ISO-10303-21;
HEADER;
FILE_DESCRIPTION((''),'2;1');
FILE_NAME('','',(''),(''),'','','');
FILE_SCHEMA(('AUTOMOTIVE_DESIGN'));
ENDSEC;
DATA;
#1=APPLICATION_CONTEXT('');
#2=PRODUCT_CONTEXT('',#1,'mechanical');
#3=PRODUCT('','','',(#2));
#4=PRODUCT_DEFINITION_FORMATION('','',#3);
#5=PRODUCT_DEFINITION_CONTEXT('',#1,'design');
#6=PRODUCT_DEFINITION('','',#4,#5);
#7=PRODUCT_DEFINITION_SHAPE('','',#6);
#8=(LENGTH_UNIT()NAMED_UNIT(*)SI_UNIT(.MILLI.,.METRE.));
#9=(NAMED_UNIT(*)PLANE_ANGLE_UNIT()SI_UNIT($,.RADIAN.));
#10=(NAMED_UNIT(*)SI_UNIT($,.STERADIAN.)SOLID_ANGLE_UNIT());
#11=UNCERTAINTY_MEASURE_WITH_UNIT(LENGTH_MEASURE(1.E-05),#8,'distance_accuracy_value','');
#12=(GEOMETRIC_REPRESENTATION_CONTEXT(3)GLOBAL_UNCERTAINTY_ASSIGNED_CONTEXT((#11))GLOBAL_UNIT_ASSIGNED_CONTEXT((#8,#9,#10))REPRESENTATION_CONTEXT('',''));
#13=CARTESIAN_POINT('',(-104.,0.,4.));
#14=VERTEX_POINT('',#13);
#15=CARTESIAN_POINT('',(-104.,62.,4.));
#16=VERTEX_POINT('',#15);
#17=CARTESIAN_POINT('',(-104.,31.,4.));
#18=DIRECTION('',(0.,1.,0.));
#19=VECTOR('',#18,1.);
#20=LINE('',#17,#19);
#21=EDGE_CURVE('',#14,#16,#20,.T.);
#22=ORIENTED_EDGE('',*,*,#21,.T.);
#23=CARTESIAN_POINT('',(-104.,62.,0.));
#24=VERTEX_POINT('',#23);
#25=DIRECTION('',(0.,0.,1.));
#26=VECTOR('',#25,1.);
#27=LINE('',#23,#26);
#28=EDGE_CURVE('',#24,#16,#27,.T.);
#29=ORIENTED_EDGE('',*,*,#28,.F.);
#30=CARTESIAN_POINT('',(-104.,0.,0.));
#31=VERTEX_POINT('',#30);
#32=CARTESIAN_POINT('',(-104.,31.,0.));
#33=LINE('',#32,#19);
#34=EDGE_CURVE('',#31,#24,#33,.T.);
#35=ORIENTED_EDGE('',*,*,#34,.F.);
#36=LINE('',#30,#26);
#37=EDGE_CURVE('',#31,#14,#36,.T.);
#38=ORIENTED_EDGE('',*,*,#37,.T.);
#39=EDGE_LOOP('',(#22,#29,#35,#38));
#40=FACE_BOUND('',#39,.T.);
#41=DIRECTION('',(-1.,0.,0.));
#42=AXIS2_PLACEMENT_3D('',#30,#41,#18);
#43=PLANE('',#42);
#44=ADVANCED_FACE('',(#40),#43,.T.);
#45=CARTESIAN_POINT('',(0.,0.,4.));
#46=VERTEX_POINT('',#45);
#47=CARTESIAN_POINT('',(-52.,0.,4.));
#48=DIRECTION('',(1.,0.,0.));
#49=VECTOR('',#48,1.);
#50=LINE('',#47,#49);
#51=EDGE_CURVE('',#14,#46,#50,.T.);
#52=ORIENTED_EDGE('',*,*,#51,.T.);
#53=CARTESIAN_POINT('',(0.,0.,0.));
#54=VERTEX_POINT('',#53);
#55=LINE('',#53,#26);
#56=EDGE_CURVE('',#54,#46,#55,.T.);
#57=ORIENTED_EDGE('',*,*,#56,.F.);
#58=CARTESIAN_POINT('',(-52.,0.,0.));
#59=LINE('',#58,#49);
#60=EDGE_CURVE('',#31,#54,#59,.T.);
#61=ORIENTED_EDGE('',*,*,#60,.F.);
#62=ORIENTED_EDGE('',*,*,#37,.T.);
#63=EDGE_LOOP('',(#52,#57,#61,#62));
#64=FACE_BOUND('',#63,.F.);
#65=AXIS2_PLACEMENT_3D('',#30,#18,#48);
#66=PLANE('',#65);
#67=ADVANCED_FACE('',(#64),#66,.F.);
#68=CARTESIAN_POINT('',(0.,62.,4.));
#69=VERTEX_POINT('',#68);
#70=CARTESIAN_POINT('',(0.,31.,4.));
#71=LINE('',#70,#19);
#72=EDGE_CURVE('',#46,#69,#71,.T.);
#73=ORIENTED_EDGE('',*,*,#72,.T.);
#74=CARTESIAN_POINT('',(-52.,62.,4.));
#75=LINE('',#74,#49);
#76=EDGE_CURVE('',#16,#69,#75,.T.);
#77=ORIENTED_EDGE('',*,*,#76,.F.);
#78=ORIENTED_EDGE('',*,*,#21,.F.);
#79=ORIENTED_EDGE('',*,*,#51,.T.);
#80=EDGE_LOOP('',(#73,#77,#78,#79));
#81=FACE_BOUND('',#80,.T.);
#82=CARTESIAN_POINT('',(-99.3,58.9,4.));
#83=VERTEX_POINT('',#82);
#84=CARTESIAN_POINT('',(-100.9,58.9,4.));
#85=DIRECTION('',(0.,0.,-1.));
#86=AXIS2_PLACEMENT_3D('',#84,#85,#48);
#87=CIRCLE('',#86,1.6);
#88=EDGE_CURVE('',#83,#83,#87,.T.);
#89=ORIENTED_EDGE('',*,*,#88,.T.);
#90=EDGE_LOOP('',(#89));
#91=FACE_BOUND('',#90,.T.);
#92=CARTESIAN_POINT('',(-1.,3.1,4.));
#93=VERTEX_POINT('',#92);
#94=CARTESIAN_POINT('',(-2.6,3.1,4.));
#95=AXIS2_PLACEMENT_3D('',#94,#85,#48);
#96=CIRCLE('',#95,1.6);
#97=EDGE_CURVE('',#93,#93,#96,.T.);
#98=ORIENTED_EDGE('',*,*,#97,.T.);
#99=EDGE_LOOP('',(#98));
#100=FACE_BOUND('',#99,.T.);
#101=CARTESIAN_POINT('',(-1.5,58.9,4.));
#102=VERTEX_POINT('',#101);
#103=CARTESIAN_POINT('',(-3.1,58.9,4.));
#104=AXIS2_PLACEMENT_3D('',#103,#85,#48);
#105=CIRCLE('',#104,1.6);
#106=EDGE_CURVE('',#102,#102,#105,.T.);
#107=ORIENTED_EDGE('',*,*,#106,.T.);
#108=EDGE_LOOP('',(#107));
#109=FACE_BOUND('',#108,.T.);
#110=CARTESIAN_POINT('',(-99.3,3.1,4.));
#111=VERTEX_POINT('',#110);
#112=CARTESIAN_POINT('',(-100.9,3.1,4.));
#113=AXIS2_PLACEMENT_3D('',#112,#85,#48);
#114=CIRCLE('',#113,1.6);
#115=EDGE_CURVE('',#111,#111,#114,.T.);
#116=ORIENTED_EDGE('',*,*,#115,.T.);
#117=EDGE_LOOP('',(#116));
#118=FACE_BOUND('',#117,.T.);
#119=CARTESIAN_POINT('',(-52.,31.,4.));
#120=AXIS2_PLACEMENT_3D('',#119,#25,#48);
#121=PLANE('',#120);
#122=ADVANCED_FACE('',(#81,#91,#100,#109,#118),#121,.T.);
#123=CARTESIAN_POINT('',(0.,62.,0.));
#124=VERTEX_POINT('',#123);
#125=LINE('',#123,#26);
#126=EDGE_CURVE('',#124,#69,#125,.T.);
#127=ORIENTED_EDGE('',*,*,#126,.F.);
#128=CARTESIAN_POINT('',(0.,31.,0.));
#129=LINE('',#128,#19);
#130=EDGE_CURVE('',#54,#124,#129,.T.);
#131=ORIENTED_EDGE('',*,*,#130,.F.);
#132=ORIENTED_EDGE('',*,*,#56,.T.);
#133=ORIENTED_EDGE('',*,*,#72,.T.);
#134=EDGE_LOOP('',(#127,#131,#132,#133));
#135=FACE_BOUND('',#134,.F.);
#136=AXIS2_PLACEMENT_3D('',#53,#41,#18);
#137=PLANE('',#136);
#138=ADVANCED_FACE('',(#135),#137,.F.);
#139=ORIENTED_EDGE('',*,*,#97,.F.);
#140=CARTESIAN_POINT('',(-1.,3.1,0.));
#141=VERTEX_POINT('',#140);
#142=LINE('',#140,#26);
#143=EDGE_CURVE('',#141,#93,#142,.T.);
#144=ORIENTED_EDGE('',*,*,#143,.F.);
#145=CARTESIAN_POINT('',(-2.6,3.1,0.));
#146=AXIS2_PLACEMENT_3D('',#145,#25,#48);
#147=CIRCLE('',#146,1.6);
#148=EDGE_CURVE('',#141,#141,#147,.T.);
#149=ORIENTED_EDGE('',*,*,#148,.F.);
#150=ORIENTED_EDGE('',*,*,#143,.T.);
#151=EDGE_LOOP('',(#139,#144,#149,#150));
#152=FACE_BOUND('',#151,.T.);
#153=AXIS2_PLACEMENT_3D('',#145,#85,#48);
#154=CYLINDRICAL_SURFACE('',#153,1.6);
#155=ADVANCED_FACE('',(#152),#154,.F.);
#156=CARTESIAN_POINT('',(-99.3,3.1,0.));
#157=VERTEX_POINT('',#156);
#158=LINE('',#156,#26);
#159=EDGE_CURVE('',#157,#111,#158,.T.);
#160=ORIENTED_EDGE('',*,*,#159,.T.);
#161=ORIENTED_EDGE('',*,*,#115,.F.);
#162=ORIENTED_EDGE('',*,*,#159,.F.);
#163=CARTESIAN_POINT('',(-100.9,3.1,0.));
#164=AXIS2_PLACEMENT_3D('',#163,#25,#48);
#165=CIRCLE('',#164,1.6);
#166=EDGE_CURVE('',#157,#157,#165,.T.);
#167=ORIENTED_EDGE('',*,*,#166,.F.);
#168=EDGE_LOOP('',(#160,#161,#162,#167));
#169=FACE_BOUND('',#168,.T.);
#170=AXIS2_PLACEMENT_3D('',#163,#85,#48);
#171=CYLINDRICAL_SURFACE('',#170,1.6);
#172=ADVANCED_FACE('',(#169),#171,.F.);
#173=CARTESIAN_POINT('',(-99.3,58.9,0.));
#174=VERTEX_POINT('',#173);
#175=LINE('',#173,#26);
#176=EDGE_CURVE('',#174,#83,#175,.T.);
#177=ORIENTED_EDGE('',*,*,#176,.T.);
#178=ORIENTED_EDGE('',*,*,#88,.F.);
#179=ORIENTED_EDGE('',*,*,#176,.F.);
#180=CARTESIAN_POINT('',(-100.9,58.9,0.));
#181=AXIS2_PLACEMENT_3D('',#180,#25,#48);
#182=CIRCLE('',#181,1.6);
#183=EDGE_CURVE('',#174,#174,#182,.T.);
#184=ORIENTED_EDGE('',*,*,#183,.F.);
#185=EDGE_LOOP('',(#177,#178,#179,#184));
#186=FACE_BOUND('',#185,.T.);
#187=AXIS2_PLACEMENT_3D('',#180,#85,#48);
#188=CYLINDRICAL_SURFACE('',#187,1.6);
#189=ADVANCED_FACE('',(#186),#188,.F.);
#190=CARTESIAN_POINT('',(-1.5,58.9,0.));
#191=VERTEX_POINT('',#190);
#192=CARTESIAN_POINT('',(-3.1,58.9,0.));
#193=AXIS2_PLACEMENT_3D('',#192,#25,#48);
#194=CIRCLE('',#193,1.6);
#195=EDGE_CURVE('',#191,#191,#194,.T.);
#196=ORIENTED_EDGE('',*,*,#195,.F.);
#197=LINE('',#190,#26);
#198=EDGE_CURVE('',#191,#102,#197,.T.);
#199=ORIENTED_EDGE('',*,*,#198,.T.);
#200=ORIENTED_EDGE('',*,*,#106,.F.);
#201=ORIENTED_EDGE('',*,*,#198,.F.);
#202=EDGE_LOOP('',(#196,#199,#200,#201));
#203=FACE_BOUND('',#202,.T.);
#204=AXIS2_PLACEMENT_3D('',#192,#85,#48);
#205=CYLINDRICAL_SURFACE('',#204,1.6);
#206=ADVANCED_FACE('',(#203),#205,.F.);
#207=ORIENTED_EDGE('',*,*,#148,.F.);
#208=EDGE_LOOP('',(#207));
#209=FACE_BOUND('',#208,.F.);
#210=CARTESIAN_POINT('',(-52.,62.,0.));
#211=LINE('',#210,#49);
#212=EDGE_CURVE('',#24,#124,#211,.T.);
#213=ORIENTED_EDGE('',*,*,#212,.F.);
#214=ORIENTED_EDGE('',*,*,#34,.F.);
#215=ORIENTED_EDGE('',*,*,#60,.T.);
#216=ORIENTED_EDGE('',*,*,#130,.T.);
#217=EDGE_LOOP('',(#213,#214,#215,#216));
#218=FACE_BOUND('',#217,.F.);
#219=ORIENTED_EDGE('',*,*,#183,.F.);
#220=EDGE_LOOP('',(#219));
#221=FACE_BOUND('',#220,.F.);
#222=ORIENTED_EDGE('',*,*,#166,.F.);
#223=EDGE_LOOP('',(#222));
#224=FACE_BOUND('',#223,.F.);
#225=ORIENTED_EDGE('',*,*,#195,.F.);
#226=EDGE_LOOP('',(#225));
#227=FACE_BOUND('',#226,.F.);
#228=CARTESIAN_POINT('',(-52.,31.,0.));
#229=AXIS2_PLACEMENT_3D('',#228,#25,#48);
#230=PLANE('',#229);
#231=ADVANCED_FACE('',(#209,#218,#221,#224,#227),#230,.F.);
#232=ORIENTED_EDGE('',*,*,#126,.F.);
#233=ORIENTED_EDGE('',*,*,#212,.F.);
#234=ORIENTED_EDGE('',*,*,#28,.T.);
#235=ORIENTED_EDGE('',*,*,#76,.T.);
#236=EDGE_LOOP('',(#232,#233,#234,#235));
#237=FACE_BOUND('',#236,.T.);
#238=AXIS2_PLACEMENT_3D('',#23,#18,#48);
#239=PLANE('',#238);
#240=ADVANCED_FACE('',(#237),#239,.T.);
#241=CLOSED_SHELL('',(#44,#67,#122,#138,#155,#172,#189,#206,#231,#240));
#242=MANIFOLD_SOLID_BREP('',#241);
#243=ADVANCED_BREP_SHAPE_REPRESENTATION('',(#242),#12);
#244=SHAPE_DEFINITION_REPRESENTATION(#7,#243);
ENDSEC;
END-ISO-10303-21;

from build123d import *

# Parameters (mm, degrees)
CYLINDER007_R     = 1.6
CYLINDER007_DEPTH = 10
CYLINDER006_R     = 1.6
CYLINDER006_DEPTH = 10
CYLINDER005_R     = 1.6
CYLINDER005_DEPTH = 10
CYLINDER004_R     = 1.6
CYLINDER004_DEPTH = 10
BOX001_W          = 104
BOX001_H          = 62
BOX001_DEPTH      = 4


with BuildPart() as mount_point003:
    # Cylinder007 → Cylinder007 (new body)
    with BuildSketch(Plane(origin=(-3.1, 58.9, 0), x_dir=(1, 0, 0), z_dir=(0, 0, 1))):
        Circle(CYLINDER007_R)
    extrude(amount=CYLINDER007_DEPTH)


with BuildPart() as mount_point002:
    # Cylinder006 → Cylinder006 (new body)
    with BuildSketch(Plane(origin=(-100.9, 58.9, 0), x_dir=(1, 0, 0), z_dir=(0, 0, 1))):
        Circle(CYLINDER006_R)
    extrude(amount=CYLINDER006_DEPTH)


with BuildPart() as mount_point001:
    # Cylinder005 → Cylinder005 (new body)
    with BuildSketch(Plane(origin=(-100.9, 3.1, 0), x_dir=(1, 0, 0), z_dir=(0, 0, 1))):
        Circle(CYLINDER005_R)
    extrude(amount=CYLINDER005_DEPTH)


with BuildPart() as mount_point:
    # Cylinder004 → Cylinder004 (new body)
    with BuildSketch(Plane(origin=(-2.6, 3.1, 0), x_dir=(1, 0, 0), z_dir=(0, 0, 1))):
        Circle(CYLINDER004_R)
    extrude(amount=CYLINDER004_DEPTH)


with BuildPart() as standard_platform:
    # Box001 → Box001 (new body)
    with BuildSketch(Plane(origin=(-104, 0, 0), x_dir=(1, 0, 0), z_dir=(0, 0, 1))):
        with Locations((52, 31)):
            Rectangle(BOX001_W, BOX001_H)
    extrude(amount=BOX001_DEPTH)

    # Cut005: cut Mount Point
    add(mount_point.part, mode=Mode.SUBTRACT)

    # Cut006: cut Mount Point001
    add(mount_point001.part, mode=Mode.SUBTRACT)

    # Cut007: cut Mount Point002
    add(mount_point002.part, mode=Mode.SUBTRACT)

    # Cut008: cut Mount Point003
    add(mount_point003.part, mode=Mode.SUBTRACT)


solid = standard_platform.part
